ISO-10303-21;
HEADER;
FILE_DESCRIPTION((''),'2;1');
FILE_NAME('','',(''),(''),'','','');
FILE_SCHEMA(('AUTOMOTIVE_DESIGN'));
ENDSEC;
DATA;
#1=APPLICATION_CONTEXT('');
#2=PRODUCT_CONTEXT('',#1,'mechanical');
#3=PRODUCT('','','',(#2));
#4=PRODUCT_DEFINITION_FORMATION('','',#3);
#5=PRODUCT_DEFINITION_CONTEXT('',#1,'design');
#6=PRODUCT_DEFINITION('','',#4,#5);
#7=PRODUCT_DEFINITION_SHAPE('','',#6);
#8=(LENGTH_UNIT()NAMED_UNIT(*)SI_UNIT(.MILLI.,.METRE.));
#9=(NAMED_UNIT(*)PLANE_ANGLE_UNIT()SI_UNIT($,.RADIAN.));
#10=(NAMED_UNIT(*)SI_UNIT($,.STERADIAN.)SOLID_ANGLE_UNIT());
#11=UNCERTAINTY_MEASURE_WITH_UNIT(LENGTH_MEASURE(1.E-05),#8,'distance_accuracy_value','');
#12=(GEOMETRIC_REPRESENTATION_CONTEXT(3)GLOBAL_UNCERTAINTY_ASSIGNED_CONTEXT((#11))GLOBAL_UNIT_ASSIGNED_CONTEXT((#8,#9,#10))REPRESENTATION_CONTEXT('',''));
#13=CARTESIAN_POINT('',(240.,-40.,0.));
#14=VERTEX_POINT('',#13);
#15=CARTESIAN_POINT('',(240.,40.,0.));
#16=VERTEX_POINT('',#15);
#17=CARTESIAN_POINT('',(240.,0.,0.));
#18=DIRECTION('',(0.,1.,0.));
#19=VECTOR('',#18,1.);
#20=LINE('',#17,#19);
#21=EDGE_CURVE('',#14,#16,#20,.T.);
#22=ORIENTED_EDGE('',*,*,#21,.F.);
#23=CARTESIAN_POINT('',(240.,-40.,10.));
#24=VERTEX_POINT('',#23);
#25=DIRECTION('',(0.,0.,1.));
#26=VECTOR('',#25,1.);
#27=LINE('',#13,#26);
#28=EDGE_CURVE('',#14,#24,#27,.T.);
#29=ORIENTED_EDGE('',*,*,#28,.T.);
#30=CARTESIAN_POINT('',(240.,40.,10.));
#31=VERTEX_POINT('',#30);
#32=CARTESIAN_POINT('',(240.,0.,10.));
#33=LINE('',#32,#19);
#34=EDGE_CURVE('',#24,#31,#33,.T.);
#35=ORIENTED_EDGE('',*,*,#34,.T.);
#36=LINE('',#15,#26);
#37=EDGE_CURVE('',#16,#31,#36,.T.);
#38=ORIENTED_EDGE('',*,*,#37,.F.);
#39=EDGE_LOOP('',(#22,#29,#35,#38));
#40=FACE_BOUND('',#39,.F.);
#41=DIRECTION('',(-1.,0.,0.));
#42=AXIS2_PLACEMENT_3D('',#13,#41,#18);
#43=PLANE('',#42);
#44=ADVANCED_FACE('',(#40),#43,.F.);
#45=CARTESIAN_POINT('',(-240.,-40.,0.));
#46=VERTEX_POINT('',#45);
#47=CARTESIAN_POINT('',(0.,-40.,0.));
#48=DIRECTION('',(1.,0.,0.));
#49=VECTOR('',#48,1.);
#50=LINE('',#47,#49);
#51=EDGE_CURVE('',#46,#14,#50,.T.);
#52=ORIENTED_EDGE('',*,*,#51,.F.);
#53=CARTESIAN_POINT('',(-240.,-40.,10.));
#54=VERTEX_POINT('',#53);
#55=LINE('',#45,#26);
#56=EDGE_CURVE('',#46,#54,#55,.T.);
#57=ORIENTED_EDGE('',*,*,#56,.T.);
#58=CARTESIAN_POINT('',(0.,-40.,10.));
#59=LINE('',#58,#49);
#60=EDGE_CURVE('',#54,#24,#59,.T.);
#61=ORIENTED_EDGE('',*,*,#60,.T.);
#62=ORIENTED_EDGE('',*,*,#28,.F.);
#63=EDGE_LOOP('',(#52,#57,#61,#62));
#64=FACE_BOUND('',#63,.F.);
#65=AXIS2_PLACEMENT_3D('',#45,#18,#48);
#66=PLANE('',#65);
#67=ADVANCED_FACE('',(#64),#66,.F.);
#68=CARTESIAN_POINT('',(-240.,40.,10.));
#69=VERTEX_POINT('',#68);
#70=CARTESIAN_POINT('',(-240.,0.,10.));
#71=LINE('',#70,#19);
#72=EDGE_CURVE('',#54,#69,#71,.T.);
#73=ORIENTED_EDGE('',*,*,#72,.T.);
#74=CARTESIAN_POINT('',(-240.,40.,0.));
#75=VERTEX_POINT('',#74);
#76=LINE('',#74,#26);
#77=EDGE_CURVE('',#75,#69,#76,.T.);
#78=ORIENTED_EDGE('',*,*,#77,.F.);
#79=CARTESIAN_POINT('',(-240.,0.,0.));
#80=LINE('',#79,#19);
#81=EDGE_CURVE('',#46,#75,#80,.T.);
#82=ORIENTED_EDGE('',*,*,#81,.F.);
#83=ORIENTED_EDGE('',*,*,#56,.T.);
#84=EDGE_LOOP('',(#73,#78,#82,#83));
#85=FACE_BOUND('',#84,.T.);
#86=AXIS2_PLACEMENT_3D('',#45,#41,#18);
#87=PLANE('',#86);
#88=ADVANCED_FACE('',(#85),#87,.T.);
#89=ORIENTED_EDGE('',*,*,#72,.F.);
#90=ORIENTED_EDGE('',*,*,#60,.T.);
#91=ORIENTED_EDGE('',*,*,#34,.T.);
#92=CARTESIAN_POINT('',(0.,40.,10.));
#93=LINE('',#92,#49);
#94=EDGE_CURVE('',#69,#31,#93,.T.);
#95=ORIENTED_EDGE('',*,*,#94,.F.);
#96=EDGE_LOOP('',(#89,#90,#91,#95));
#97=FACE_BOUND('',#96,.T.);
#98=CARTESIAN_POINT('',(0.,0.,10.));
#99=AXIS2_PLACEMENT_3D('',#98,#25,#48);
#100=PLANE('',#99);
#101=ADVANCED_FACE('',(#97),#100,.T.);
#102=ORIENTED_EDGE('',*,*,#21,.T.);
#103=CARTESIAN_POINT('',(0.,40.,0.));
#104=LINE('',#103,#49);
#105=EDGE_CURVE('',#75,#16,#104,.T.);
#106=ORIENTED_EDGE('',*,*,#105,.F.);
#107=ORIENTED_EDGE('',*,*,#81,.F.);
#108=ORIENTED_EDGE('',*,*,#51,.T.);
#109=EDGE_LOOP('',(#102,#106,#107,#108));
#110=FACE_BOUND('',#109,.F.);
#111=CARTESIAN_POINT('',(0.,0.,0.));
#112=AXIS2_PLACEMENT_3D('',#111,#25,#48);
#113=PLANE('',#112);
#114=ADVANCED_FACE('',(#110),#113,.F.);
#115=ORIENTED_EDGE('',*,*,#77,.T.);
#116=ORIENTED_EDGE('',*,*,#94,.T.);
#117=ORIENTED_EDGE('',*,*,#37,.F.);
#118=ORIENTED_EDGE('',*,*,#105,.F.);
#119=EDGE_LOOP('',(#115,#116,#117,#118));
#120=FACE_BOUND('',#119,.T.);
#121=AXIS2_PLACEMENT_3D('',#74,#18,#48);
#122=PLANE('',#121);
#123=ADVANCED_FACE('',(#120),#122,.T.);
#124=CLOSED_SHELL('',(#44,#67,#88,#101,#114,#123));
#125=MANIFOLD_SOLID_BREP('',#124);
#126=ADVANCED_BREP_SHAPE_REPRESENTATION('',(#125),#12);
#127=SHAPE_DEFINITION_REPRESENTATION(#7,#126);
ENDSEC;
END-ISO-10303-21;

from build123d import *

# Parameters (mm, degrees)
SKETCH001_W = 480
SKETCH001_H = 80
PAD_DEPTH   = 10


with BuildPart() as part:
    # Sketch001 → Pad (new body)
    with BuildSketch(Plane.XY):
        Rectangle(SKETCH001_W, SKETCH001_H)
    extrude(amount=PAD_DEPTH)


solid = part.part
